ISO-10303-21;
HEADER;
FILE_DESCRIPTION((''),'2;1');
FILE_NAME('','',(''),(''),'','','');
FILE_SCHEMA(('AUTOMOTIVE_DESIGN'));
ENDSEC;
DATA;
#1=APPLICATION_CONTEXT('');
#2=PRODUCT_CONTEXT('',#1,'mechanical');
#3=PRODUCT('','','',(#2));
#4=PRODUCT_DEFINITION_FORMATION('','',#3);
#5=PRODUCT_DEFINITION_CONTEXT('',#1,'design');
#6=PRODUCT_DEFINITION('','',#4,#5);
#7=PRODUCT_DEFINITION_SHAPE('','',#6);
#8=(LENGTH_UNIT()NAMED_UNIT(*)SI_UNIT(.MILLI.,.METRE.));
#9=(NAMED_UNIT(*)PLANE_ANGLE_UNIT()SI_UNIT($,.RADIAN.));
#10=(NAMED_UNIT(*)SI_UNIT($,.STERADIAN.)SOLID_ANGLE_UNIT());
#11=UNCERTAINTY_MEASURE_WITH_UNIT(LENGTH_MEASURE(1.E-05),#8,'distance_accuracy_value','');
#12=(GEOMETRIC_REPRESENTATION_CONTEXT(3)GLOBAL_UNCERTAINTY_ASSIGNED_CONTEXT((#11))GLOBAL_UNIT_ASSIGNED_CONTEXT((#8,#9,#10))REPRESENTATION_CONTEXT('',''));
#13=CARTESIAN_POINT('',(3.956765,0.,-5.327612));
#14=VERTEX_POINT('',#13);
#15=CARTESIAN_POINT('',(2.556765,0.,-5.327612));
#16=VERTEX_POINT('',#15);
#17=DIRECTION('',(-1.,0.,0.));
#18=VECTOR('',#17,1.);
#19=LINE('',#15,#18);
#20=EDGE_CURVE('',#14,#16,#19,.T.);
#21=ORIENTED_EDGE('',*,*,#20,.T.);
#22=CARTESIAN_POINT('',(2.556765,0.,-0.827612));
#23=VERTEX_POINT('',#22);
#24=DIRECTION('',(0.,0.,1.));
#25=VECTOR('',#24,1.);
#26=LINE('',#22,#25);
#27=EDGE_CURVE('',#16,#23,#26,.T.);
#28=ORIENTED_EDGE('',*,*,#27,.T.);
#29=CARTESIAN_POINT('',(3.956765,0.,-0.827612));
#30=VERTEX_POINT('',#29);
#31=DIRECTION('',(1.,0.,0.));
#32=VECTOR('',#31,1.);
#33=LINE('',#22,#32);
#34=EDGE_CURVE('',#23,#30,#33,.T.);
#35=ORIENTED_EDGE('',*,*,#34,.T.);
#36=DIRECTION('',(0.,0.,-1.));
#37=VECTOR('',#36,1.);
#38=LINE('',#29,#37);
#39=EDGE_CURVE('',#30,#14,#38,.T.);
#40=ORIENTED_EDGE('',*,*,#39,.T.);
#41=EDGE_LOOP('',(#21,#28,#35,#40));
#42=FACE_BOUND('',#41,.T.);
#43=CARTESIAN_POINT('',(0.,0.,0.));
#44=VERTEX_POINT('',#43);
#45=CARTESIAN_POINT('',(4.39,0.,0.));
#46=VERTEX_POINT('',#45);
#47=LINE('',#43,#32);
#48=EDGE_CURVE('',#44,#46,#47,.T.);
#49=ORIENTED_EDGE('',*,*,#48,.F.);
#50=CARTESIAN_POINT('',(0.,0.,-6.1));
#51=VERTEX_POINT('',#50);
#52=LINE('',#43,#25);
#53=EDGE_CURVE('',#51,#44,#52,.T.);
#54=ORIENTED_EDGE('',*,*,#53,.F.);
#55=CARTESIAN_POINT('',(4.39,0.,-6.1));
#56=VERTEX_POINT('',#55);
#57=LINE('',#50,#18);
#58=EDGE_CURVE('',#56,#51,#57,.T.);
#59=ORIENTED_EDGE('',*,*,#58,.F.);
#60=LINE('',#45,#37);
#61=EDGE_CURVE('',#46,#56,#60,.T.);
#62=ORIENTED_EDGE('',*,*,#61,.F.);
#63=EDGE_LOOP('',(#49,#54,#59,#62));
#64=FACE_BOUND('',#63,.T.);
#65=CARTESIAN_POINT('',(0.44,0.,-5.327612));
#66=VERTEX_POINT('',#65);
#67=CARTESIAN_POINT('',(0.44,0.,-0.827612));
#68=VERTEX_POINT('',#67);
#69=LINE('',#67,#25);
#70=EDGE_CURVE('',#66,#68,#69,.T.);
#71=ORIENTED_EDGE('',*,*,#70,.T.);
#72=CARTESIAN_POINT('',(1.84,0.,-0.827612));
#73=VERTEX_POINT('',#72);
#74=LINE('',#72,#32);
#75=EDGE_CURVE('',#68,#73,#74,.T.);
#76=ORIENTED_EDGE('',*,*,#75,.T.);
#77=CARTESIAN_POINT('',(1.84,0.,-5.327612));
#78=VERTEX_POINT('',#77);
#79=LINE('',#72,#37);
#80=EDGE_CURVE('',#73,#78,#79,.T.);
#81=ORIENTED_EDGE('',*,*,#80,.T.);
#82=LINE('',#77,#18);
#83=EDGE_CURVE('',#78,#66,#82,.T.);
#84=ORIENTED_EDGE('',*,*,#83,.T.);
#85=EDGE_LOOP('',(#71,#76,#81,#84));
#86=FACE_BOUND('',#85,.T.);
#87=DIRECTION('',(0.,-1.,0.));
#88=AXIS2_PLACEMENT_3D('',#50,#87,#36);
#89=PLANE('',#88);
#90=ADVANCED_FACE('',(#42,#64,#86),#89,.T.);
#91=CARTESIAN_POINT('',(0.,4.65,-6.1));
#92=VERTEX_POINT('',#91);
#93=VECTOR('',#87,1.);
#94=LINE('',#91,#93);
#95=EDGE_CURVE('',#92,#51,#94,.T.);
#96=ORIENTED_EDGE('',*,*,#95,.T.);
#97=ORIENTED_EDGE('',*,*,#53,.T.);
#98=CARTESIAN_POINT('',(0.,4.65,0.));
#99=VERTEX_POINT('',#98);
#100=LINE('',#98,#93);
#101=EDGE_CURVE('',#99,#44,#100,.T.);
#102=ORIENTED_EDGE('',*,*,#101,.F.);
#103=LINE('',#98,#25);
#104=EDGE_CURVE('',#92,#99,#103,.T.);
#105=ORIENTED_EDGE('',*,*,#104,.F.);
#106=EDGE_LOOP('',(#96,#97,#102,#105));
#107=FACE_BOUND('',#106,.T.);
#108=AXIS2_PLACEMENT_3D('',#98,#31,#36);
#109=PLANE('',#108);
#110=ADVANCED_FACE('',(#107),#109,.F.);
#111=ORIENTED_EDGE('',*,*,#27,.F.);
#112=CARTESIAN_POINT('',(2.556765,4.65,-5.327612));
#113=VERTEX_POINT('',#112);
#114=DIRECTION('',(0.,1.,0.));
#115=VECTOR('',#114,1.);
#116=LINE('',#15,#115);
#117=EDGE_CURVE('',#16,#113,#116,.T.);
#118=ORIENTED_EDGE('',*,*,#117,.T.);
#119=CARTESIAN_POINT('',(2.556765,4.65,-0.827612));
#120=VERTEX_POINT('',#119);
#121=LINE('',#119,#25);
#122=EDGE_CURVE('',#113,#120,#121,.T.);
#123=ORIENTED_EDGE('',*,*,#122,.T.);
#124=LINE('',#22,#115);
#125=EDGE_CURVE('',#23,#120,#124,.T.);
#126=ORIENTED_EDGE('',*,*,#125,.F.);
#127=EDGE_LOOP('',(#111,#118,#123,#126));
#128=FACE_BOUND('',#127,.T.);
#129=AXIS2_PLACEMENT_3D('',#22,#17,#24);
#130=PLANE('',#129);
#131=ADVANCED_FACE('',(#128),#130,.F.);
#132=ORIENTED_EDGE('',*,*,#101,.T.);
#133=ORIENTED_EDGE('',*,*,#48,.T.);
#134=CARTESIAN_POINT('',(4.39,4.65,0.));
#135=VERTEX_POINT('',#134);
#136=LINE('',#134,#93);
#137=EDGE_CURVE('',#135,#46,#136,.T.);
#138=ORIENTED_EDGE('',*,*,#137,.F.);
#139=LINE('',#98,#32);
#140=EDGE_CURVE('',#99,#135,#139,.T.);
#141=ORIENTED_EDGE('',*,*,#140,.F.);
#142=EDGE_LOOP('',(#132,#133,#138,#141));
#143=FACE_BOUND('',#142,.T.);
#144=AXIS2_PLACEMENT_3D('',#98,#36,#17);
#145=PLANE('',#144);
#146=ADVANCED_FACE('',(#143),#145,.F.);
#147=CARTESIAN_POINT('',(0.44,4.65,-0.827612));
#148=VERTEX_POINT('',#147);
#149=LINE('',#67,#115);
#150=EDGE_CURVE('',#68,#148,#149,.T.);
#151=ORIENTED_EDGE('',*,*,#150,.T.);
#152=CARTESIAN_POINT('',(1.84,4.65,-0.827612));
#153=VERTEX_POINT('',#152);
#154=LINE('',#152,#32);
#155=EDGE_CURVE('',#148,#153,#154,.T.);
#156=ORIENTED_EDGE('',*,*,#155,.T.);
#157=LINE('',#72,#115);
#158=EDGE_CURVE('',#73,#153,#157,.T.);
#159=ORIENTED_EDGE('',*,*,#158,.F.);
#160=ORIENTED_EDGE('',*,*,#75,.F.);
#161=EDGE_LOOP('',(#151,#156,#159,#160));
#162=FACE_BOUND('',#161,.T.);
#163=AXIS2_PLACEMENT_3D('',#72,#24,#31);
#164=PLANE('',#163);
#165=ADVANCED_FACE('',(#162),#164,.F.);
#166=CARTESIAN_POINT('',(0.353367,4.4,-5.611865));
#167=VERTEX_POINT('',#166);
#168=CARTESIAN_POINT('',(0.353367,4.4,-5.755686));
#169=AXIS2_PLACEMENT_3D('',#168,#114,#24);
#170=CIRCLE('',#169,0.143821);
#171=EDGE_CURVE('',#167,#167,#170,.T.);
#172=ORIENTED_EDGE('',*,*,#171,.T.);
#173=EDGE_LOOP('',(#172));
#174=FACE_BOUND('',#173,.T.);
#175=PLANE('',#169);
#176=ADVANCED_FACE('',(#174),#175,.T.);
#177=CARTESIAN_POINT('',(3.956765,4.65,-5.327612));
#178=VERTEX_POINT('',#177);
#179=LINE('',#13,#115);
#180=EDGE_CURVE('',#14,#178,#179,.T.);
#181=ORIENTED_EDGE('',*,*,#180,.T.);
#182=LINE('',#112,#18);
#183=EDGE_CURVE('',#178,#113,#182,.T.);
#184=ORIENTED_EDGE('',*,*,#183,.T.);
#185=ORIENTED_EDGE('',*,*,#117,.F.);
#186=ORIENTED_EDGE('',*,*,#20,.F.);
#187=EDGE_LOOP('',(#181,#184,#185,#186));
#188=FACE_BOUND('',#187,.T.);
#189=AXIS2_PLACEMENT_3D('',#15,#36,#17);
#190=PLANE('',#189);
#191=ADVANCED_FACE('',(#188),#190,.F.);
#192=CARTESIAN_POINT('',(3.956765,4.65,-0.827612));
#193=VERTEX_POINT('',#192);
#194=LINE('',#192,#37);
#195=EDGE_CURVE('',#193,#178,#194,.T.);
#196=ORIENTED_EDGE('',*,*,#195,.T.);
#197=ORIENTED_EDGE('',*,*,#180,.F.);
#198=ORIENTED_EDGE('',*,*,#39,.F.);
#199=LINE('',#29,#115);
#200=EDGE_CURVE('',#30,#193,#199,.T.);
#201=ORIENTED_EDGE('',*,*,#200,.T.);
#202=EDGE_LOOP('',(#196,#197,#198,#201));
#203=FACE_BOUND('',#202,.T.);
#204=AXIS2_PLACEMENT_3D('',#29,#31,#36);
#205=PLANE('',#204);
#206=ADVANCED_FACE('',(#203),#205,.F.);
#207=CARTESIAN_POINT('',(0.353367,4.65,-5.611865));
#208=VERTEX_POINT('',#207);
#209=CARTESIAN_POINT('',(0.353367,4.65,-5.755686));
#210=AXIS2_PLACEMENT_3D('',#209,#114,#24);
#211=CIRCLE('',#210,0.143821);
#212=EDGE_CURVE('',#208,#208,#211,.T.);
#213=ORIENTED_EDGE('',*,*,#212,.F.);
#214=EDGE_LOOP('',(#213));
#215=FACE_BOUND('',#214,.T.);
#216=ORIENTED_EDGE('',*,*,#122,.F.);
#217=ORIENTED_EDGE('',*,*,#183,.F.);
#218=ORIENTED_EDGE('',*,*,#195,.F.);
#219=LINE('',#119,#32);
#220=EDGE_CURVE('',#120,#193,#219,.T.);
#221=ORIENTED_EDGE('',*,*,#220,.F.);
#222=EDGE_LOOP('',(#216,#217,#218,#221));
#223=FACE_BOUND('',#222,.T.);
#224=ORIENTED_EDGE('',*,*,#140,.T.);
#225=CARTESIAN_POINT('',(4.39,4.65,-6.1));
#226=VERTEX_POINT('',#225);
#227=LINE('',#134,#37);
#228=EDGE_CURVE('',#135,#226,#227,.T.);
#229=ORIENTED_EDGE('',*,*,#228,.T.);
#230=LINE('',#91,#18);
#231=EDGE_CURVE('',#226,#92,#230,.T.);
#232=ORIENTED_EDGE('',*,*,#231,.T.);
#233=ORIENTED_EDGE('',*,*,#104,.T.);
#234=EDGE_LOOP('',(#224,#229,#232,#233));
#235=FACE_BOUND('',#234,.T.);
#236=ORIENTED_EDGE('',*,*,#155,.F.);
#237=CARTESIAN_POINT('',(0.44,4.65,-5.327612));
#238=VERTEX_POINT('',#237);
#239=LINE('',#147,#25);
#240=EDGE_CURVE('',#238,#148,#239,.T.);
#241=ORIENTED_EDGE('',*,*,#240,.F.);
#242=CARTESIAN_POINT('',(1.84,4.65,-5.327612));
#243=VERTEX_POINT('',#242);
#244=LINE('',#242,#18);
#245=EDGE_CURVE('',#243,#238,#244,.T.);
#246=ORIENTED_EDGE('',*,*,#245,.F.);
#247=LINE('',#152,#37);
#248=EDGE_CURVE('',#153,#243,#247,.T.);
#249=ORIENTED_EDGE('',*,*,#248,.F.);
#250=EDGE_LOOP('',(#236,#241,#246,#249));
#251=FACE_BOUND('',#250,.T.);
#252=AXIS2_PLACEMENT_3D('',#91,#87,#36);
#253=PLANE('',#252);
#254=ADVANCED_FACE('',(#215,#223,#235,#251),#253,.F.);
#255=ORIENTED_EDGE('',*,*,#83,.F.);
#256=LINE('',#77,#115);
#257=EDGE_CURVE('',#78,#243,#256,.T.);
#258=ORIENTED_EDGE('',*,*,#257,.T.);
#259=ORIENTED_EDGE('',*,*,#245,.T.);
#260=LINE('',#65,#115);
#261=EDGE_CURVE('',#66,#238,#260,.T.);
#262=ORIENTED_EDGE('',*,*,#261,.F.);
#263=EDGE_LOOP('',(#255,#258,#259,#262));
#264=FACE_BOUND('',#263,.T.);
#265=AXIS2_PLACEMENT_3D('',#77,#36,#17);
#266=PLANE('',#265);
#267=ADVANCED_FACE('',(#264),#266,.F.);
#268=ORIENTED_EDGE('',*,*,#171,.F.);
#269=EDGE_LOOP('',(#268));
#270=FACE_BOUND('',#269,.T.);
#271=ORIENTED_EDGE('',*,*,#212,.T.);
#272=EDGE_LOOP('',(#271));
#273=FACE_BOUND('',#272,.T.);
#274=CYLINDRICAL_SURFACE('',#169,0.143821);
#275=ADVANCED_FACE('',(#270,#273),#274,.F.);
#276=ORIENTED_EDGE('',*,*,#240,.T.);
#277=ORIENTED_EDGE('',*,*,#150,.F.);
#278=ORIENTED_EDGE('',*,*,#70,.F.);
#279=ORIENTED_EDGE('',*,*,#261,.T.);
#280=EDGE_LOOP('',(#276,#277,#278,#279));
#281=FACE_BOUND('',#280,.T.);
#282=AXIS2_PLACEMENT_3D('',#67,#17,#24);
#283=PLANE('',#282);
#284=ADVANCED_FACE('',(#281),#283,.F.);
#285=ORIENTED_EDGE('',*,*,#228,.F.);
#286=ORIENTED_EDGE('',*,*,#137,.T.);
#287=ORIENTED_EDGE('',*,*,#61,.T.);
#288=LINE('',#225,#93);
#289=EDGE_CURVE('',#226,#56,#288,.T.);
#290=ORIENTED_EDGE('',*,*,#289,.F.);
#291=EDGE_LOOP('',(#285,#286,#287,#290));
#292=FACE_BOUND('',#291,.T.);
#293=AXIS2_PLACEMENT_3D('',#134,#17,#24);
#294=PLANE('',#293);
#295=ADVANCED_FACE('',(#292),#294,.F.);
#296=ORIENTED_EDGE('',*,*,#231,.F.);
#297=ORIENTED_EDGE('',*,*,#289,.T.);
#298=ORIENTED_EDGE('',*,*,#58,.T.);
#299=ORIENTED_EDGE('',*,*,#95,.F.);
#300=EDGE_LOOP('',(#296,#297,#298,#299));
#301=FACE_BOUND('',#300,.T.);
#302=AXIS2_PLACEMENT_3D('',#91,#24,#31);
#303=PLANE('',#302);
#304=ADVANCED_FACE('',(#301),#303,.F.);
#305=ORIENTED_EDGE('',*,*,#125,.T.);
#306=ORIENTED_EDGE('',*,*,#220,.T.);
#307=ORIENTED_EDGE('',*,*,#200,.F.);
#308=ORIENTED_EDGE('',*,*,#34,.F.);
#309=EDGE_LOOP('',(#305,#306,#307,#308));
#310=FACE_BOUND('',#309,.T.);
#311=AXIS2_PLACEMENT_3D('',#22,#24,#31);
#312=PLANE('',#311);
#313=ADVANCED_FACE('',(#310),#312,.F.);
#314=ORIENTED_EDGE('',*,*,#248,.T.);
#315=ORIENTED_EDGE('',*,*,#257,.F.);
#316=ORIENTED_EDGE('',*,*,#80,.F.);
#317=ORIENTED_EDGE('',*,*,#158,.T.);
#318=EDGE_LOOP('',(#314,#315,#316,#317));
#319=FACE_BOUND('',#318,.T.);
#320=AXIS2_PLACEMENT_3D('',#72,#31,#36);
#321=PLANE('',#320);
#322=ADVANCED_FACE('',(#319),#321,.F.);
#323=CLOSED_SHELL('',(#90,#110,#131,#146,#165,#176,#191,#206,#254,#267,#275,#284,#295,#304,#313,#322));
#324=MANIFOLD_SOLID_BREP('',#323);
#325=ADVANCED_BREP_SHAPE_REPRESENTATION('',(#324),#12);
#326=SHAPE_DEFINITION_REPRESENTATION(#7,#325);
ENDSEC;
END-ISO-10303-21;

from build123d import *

# Parameters (mm, degrees)
CROQUIS1_W              = 4.39
CROQUIS1_H              = 6.1
SALIENTE_EXTRUIR1_DEPTH = 4.65
CROQUIS3_W              = 1.4
CROQUIS3_H              = 4.5
CORTAR_EXTRUIR1_DEPTH   = 9.837680691
CROQUIS4_R              = 0.143820832
CORTAR_EXTRUIR2_DEPTH   = 0.25


with BuildPart() as part:
    # Croquis1 → Saliente-Extruir1 (new body)
    with BuildSketch(Plane(origin=(0, 0, 0), x_dir=(1, 0, 0), z_dir=(0, 1, 0))):
        with Locations((2.195, 3.05)):
            Rectangle(CROQUIS1_W, CROQUIS1_H)
    extrude(amount=SALIENTE_EXTRUIR1_DEPTH)

    # Croquis3 → Cortar-Extruir1 (cut, through all)
    with BuildSketch(Plane(origin=(0, 4.65, 0), x_dir=(1, 0, 0), z_dir=(0, 1, 0))):
        with Locations((1.14, 3.077612144)):
            Rectangle(CROQUIS3_W, CROQUIS3_H)
        with Locations((3.256764551, 3.077612144)):
            Rectangle(CROQUIS3_W, CROQUIS3_H)
    extrude(amount=-CORTAR_EXTRUIR1_DEPTH, mode=Mode.SUBTRACT)

    # Croquis4 → Cortar-Extruir2 (cut)
    with BuildSketch(Plane(origin=(0, 4.65, 0), x_dir=(1, 0, 0), z_dir=(0, 1, 0))):
        with Locations(Location((0.353367476, 5.755686139, 0), (0, 0, 270))):
            Circle(CROQUIS4_R)
    extrude(amount=-CORTAR_EXTRUIR2_DEPTH, mode=Mode.SUBTRACT)


solid = part.part
